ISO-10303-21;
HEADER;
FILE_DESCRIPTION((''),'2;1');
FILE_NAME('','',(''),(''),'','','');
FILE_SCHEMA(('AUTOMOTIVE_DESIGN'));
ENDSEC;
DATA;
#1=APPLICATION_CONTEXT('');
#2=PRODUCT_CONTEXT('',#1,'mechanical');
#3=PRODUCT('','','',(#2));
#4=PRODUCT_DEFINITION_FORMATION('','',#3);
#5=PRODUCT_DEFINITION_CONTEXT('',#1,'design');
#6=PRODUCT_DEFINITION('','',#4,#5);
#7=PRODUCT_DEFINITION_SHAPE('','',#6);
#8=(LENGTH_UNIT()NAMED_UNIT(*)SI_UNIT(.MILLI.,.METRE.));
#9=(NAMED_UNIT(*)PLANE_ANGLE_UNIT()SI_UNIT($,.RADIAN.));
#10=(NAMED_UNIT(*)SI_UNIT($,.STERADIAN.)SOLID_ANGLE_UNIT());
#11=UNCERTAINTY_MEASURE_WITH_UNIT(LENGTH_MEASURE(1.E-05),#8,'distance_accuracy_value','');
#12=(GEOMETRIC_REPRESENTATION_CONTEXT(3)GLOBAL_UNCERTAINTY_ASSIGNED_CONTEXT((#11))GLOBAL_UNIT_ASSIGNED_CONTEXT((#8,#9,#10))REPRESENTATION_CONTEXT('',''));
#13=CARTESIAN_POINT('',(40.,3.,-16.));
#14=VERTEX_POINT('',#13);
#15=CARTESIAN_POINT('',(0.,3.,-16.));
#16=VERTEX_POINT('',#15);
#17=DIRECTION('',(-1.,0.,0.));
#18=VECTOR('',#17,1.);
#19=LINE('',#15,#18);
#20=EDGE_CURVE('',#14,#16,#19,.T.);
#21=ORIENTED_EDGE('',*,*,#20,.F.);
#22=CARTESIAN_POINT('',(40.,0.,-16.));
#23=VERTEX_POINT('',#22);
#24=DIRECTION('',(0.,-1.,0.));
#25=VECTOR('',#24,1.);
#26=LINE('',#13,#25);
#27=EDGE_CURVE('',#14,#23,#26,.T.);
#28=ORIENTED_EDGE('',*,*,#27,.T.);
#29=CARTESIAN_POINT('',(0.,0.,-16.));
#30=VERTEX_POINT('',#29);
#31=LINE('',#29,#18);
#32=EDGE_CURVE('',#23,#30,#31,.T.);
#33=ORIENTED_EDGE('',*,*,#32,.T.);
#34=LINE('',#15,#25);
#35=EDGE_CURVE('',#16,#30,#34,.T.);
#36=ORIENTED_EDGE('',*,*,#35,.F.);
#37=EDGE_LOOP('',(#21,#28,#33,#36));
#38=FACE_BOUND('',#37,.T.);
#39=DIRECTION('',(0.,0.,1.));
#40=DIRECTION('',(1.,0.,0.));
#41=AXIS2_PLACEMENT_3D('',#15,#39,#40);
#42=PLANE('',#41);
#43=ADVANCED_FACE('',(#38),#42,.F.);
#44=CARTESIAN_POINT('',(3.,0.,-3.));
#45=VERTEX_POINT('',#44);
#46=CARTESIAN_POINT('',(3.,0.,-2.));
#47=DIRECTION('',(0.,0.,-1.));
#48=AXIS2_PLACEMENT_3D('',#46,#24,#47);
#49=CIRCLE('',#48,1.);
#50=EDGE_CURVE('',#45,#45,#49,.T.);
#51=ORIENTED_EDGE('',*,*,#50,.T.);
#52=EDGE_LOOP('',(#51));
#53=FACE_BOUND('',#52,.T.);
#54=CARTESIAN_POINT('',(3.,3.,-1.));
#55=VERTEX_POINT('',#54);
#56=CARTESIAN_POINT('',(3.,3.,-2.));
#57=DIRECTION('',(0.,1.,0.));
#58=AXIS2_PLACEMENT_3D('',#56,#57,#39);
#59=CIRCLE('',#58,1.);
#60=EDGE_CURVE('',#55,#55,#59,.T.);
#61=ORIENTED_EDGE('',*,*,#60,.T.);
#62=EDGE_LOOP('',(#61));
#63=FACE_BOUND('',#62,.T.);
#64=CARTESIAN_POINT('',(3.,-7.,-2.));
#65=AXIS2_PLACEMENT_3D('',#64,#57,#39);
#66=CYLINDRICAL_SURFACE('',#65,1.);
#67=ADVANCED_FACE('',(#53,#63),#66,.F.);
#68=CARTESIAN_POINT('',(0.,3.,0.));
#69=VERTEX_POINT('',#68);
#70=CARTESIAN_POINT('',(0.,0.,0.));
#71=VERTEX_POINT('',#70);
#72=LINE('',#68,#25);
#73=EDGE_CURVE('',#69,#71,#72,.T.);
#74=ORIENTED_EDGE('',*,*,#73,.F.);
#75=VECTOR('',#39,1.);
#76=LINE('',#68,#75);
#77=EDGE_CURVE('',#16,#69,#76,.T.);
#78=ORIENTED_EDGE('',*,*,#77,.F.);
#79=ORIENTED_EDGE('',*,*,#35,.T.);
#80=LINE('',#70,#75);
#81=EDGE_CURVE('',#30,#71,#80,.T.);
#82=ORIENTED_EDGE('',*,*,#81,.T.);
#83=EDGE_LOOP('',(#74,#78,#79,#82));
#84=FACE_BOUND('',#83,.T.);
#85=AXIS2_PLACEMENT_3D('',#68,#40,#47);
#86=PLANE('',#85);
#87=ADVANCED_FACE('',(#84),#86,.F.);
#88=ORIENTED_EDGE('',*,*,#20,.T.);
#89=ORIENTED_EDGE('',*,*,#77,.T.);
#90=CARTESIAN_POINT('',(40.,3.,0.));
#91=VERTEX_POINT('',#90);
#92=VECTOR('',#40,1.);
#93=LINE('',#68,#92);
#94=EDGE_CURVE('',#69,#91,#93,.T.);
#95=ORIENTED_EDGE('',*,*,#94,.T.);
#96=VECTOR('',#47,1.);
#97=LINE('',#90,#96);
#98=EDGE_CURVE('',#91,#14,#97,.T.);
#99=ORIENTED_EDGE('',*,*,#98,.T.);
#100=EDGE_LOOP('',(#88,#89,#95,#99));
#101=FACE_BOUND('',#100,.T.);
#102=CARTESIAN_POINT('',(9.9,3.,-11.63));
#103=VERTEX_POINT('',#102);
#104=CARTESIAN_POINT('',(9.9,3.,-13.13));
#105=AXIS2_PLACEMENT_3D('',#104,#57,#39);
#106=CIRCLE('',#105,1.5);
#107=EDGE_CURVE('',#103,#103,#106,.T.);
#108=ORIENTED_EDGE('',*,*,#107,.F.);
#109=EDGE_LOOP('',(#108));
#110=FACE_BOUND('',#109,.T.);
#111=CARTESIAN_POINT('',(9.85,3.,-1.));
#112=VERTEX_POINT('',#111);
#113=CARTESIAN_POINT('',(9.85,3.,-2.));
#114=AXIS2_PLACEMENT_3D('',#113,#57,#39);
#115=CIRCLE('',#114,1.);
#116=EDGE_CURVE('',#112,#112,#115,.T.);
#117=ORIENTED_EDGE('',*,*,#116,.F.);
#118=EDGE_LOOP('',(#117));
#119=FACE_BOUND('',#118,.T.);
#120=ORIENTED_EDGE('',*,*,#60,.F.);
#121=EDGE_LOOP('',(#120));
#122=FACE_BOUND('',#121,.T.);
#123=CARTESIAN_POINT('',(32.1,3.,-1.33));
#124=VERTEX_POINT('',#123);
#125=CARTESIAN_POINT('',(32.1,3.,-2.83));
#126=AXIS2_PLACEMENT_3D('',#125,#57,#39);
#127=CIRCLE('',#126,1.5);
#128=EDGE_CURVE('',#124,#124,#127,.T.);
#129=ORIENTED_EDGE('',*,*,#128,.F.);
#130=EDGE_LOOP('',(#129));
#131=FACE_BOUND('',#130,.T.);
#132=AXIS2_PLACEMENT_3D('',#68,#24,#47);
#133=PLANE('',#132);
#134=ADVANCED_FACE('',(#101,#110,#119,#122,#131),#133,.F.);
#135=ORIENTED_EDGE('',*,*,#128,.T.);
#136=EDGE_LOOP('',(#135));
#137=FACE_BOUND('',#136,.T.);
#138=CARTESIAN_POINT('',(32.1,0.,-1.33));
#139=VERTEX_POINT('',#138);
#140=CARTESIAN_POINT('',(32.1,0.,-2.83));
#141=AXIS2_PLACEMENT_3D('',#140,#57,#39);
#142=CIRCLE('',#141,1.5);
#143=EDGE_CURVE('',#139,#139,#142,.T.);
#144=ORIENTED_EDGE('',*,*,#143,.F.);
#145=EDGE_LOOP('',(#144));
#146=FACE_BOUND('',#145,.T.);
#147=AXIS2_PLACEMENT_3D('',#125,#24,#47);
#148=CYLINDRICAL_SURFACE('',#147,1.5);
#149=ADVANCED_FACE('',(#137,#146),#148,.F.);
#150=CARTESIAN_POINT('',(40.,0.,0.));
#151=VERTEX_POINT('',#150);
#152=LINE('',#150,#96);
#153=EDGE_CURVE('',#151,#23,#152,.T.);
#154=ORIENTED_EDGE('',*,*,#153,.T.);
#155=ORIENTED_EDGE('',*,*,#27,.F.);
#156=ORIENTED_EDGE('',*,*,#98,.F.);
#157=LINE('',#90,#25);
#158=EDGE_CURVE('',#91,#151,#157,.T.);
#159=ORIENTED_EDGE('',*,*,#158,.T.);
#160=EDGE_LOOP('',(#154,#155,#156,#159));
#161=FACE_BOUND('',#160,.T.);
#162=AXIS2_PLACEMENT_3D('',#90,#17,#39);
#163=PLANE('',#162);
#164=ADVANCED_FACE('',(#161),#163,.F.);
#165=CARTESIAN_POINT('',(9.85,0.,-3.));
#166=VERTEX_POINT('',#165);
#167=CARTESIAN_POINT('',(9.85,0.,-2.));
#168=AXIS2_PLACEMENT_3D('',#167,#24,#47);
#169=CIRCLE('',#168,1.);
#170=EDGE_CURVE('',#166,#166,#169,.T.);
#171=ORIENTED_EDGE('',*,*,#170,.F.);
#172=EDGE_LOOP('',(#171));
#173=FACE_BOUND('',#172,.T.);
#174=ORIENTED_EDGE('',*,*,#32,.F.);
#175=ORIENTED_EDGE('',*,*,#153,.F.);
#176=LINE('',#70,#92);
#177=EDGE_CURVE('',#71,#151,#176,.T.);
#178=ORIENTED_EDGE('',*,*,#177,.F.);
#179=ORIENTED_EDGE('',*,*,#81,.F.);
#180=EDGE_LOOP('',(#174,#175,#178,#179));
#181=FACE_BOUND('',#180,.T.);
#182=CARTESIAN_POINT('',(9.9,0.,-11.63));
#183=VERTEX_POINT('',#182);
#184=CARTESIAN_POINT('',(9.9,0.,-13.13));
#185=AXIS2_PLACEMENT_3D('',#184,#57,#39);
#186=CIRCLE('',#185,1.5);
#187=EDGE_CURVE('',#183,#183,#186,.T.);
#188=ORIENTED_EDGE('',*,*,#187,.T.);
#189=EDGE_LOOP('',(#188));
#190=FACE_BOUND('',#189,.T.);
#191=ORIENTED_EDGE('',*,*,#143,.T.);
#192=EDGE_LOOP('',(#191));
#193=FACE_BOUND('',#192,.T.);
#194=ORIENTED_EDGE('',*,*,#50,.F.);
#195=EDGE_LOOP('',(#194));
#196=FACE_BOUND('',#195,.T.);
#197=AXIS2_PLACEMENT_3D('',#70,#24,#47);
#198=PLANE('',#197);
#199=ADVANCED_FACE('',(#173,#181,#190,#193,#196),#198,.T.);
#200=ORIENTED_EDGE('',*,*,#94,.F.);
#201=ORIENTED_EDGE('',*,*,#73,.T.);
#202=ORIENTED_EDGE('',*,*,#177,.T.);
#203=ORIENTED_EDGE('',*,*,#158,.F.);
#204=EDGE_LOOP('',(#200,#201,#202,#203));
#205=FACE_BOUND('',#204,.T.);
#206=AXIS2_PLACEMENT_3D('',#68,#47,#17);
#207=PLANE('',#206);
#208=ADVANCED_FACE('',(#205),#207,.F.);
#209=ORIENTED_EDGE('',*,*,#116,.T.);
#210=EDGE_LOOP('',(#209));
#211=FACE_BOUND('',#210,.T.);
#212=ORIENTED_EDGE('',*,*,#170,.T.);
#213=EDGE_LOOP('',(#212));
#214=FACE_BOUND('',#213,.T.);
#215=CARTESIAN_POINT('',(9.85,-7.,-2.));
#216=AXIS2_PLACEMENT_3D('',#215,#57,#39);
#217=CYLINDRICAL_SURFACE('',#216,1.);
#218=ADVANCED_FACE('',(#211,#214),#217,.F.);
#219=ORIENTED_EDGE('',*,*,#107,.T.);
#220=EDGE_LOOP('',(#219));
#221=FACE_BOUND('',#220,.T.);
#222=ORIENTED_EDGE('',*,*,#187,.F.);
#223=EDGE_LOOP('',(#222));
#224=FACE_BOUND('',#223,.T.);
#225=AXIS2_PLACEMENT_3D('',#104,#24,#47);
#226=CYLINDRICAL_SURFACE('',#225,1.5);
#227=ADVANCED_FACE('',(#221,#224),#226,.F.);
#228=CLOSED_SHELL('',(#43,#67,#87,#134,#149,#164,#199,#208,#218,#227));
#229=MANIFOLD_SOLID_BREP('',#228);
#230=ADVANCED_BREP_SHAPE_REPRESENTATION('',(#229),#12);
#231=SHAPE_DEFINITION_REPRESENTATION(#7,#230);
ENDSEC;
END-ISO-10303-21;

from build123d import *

# Parameters (mm, degrees)
SKETCH1_W           = 40
SKETCH1_H           = 16
SKETCH1_R           = 1.5
BOSS_EXTRUDE1_DEPTH = 3
SKETCH2_R           = 1
CUT_EXTRUDE1_DEPTH  = 10


with BuildPart() as part:
    # Sketch1 → Boss-Extrude1 (new body)
    with BuildSketch(Plane(origin=(0, 0, 0), x_dir=(1, 0, 0), z_dir=(0, 1, 0))):
        with Locations((20, 8)):
            Rectangle(SKETCH1_W, SKETCH1_H)
        with Locations((9.9, 13.13)):
            Circle(SKETCH1_R, mode=Mode.SUBTRACT)
        with Locations((32.1, 2.83)):
            Circle(SKETCH1_R, mode=Mode.SUBTRACT)
    extrude(amount=BOSS_EXTRUDE1_DEPTH)

    # Sketch2 → Cut-Extrude1 (cut)
    with BuildSketch(Plane(origin=(0, 3, 0), x_dir=(1, 0, 0), z_dir=(0, 1, 0))):
        with Locations((3, 2)):
            Circle(SKETCH2_R)
        with Locations((9.85, 2)):
            Circle(SKETCH2_R)
    extrude(amount=-CUT_EXTRUDE1_DEPTH, mode=Mode.SUBTRACT)


solid = part.part
